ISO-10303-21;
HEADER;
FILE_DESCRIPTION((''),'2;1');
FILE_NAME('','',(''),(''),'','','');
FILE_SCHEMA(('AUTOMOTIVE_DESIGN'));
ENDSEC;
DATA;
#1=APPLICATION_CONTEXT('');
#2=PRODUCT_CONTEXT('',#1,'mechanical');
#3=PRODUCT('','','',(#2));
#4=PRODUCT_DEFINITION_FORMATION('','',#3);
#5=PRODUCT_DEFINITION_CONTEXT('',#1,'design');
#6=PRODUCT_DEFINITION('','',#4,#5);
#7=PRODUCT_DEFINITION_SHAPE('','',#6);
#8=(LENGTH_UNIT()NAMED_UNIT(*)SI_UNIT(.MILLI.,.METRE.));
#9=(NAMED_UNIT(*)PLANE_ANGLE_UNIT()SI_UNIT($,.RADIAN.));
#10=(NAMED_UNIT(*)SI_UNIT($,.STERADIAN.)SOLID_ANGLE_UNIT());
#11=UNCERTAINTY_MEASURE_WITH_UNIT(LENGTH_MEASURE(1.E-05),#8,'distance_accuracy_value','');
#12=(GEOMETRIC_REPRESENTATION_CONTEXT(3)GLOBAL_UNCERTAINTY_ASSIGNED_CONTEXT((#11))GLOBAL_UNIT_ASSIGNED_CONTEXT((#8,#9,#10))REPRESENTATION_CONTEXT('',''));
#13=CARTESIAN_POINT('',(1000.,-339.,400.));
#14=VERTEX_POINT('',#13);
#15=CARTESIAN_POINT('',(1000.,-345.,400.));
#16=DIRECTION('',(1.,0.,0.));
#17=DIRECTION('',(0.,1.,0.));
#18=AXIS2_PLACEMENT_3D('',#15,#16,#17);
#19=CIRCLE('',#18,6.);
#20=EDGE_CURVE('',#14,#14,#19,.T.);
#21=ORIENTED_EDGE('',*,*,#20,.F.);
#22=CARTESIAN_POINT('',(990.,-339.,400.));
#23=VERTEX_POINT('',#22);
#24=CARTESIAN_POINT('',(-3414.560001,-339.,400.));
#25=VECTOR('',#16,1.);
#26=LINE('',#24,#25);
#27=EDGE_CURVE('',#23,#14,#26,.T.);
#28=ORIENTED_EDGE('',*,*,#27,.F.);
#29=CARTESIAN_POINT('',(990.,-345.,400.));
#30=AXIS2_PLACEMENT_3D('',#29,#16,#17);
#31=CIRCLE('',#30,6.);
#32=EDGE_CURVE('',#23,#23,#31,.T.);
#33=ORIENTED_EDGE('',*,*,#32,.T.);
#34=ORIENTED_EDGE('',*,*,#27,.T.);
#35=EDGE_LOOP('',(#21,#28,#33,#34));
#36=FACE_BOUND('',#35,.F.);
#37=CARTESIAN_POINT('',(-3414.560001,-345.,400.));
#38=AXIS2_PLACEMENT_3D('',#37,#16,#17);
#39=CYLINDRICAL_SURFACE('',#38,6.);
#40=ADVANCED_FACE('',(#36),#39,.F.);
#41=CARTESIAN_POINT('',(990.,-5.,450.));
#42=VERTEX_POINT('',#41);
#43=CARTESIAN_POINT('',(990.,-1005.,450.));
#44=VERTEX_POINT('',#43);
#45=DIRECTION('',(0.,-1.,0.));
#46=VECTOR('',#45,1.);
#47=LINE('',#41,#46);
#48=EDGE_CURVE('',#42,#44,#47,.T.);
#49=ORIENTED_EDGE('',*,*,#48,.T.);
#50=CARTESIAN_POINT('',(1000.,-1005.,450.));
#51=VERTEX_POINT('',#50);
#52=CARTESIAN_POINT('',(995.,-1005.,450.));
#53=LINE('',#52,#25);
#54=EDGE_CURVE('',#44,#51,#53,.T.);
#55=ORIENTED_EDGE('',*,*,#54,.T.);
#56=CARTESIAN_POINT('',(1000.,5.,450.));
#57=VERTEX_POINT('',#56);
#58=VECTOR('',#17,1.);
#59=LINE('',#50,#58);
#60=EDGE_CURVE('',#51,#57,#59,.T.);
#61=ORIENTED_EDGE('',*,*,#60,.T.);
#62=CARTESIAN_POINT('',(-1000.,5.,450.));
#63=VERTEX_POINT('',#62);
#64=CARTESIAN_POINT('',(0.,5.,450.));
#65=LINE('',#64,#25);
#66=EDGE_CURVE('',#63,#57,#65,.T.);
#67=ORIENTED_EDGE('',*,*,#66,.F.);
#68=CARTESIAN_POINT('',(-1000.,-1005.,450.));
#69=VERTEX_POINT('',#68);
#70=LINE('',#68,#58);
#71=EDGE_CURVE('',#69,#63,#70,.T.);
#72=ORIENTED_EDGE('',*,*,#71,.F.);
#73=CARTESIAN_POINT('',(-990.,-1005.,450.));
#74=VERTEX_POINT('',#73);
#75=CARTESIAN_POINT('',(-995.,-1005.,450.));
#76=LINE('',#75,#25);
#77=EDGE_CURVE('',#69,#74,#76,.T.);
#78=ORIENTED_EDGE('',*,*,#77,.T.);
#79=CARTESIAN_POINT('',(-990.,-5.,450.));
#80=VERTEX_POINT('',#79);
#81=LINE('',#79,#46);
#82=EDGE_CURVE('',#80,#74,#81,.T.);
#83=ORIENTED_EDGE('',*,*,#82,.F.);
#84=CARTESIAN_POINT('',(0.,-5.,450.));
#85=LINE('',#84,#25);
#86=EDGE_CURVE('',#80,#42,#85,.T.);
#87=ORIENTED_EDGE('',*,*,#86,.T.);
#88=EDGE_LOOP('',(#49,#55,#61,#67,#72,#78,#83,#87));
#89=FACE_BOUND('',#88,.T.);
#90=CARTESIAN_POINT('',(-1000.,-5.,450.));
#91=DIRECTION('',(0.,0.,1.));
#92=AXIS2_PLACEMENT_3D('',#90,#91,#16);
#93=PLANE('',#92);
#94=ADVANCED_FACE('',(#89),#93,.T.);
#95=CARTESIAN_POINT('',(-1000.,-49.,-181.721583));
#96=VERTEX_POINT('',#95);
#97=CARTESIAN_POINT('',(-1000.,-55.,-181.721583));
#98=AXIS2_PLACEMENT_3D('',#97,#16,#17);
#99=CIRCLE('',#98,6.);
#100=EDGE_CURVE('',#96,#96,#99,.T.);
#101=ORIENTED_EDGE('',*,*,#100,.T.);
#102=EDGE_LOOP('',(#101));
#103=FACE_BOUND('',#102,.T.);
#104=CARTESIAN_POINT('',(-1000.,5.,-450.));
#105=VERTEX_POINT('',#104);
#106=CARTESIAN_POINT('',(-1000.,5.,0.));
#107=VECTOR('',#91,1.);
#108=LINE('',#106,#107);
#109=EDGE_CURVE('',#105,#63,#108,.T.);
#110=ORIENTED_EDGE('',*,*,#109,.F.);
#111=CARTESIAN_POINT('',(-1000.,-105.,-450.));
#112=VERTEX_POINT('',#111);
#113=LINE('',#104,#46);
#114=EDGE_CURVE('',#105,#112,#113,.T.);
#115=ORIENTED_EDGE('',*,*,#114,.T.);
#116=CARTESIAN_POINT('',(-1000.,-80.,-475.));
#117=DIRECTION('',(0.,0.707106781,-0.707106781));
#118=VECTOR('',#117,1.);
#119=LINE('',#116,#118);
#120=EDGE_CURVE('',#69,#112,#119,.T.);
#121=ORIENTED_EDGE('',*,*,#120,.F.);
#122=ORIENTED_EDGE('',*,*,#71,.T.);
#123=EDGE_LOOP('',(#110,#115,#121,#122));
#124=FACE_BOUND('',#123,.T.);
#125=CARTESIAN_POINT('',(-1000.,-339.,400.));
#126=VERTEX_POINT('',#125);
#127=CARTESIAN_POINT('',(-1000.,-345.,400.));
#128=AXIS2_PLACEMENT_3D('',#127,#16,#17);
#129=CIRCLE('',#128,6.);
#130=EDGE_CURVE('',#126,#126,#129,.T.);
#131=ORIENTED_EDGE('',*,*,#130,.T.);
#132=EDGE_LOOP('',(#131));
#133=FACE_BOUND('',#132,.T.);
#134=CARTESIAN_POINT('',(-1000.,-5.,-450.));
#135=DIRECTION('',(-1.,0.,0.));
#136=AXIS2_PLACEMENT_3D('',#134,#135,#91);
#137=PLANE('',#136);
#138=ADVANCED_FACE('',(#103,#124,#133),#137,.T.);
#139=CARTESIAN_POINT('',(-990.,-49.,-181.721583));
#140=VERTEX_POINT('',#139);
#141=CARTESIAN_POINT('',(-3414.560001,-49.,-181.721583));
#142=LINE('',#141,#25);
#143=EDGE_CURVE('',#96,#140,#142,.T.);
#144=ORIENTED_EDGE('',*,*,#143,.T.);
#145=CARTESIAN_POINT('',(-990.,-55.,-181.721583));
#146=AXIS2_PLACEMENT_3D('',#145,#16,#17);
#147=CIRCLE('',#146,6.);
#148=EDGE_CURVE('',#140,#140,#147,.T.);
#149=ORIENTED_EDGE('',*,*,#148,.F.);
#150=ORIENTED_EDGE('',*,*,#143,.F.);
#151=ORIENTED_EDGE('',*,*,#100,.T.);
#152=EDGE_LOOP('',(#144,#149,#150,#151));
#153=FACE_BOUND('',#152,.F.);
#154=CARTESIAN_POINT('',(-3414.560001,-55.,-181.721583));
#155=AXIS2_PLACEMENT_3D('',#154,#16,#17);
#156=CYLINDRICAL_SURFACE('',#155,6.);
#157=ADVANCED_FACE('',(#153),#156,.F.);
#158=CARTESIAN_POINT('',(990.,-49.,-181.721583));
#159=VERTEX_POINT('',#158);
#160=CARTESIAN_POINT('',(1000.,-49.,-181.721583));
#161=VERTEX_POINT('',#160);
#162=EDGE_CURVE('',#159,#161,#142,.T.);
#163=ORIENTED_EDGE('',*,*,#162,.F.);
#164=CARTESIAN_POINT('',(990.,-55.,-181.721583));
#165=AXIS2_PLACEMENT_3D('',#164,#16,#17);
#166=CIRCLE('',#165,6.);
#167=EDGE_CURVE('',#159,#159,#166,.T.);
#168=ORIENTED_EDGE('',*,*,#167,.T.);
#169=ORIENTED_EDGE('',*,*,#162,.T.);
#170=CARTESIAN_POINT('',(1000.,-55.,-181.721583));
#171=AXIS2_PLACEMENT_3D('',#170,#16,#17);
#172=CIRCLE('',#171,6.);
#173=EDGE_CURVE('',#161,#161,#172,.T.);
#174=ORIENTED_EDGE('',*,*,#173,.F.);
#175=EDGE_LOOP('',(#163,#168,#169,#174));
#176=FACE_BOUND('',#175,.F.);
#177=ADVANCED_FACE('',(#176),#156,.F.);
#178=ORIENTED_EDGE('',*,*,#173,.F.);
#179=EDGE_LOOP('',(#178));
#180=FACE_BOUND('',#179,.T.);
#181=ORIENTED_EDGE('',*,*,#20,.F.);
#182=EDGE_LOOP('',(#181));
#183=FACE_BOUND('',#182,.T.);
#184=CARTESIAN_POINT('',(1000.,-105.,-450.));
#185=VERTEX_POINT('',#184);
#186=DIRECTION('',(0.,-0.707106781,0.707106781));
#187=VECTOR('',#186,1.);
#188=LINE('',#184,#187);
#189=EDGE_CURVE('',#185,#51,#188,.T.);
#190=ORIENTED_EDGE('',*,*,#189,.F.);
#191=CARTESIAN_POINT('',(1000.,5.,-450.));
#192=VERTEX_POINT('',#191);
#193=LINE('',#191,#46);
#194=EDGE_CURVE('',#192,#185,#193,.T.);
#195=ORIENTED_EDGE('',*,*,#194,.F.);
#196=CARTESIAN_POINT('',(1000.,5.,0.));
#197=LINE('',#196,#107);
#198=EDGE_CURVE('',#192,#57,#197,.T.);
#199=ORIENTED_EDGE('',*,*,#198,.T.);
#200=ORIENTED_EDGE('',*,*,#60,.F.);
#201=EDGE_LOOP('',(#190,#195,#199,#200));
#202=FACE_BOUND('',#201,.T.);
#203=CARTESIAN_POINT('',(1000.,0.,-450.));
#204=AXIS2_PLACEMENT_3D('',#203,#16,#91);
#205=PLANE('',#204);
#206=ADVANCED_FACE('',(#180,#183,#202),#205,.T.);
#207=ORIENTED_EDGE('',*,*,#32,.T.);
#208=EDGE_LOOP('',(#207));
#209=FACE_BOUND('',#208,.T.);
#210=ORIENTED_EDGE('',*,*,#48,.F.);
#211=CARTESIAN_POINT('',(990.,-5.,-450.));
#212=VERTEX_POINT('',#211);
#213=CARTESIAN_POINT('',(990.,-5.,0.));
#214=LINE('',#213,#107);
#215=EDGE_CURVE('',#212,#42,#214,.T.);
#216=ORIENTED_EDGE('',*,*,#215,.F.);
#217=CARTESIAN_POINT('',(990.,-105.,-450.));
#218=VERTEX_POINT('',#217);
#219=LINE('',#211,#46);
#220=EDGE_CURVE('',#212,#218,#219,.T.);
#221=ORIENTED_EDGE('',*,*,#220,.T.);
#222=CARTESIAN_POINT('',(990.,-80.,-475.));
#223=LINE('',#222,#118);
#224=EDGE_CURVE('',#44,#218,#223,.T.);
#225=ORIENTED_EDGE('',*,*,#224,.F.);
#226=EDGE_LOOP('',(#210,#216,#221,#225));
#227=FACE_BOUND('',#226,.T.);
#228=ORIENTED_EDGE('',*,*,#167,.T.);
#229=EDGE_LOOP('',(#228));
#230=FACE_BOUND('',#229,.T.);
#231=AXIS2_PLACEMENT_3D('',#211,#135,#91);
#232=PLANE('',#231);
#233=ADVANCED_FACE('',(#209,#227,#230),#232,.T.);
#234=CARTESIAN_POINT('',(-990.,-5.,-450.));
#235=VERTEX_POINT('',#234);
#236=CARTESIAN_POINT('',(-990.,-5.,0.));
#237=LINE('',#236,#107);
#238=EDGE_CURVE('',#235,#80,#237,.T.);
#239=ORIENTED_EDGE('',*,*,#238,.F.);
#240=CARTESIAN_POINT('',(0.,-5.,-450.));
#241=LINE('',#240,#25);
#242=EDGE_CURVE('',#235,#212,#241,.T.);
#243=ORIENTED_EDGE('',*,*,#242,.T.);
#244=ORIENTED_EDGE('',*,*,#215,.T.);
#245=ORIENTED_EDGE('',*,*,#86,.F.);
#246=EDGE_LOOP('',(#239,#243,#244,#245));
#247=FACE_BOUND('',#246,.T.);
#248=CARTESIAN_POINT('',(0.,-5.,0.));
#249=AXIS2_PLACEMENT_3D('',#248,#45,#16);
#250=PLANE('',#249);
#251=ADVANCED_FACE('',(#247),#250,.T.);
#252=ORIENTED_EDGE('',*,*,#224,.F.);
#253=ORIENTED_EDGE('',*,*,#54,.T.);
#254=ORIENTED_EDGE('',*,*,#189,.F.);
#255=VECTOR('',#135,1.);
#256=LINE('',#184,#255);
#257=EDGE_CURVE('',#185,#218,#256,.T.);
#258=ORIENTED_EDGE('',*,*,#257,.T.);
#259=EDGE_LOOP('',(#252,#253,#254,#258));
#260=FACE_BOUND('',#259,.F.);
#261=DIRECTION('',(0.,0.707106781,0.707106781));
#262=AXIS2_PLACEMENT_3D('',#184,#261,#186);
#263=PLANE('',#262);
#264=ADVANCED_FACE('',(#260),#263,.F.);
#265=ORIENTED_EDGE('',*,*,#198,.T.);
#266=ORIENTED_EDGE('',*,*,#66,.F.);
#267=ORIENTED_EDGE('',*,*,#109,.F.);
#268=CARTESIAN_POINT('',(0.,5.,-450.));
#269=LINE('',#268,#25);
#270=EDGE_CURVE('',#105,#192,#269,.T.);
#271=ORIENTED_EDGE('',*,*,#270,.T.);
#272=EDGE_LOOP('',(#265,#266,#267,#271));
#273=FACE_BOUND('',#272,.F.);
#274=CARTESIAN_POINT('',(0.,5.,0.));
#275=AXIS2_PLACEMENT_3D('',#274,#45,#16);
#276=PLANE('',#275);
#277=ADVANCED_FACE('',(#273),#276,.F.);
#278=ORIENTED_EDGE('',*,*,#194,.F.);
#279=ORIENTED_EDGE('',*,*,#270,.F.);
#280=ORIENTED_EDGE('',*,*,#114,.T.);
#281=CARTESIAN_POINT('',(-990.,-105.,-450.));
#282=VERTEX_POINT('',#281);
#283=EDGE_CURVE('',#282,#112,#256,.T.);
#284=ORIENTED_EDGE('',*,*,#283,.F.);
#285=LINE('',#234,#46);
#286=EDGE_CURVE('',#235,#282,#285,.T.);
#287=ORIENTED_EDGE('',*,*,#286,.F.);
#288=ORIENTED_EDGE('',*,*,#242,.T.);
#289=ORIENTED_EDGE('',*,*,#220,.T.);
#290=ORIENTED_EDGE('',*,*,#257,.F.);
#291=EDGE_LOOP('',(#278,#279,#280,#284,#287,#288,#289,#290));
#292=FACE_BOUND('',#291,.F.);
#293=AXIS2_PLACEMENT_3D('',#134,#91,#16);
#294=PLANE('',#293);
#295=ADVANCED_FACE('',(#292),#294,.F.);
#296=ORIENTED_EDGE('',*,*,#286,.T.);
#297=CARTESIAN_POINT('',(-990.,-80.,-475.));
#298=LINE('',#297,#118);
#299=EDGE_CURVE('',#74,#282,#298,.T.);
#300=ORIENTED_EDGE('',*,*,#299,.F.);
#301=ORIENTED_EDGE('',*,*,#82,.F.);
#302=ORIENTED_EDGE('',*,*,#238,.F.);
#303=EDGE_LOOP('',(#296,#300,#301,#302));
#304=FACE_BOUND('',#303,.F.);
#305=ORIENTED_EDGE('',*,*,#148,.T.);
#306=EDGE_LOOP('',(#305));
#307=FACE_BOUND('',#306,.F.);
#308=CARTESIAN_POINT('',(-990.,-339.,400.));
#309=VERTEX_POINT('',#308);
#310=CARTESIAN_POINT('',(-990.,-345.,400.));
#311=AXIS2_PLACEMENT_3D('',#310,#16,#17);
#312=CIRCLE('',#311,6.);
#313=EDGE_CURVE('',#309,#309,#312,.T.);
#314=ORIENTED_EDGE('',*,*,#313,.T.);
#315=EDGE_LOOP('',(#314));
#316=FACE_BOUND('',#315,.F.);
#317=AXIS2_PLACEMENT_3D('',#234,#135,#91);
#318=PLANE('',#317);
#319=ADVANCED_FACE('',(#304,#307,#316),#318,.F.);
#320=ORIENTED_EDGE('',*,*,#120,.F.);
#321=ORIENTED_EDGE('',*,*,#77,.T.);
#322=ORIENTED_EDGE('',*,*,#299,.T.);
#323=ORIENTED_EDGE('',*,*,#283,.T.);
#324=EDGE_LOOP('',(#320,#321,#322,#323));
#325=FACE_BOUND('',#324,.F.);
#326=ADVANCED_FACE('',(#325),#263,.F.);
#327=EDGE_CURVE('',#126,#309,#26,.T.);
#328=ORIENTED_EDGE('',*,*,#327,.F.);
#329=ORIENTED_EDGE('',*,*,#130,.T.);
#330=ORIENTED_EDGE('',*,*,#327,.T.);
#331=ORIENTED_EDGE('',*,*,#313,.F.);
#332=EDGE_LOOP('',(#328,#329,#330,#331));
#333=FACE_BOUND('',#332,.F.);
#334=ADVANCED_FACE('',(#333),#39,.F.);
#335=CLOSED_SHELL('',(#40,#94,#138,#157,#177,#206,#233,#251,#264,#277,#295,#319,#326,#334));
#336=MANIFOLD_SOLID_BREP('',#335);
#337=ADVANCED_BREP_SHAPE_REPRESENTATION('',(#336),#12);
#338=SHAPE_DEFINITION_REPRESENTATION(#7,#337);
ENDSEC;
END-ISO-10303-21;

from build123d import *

# Parameters (mm, degrees)
F0_W     = 2000
F0_H     = 900
F1_DEPTH = 5
F2_W     = 10
F2_H     = 900
F3_DEPTH = 1000
F5_DEPTH = 2000.001
F7_D     = 12


with BuildPart() as f1:
    # F0 (on Front) → F1 (new body, symmetric)
    with BuildSketch(Plane.XZ):
        Rectangle(F0_W, F0_H)
    extrude(amount=F1_DEPTH, both=True)

    # F2 (on face) → F3 (join)
    with BuildSketch(Plane.XZ.offset(5)):
        with Locations((-995, 0)):
            Rectangle(F2_W, F2_H)
        with Locations((995, 0)):
            Rectangle(F2_W, F2_H)
    extrude(amount=F3_DEPTH)

    # F4 (on face) → F5 (cut, through all)
    with BuildSketch(Plane.YZ.offset(1000)):
        Polygon((-105, -450), (-1005, 450), (-1005, -450), align=None)
    extrude(amount=-F5_DEPTH, mode=Mode.SUBTRACT)

    # F7 (through all)
    with Locations(Plane(origin=(-1000, 0, 0), x_dir=(0, -1, 0), z_dir=(-1, 0, 0))):
        with Locations((345, 400), (55, -181.721583)):
            Hole(F7_D / 2)


solid = f1.part
